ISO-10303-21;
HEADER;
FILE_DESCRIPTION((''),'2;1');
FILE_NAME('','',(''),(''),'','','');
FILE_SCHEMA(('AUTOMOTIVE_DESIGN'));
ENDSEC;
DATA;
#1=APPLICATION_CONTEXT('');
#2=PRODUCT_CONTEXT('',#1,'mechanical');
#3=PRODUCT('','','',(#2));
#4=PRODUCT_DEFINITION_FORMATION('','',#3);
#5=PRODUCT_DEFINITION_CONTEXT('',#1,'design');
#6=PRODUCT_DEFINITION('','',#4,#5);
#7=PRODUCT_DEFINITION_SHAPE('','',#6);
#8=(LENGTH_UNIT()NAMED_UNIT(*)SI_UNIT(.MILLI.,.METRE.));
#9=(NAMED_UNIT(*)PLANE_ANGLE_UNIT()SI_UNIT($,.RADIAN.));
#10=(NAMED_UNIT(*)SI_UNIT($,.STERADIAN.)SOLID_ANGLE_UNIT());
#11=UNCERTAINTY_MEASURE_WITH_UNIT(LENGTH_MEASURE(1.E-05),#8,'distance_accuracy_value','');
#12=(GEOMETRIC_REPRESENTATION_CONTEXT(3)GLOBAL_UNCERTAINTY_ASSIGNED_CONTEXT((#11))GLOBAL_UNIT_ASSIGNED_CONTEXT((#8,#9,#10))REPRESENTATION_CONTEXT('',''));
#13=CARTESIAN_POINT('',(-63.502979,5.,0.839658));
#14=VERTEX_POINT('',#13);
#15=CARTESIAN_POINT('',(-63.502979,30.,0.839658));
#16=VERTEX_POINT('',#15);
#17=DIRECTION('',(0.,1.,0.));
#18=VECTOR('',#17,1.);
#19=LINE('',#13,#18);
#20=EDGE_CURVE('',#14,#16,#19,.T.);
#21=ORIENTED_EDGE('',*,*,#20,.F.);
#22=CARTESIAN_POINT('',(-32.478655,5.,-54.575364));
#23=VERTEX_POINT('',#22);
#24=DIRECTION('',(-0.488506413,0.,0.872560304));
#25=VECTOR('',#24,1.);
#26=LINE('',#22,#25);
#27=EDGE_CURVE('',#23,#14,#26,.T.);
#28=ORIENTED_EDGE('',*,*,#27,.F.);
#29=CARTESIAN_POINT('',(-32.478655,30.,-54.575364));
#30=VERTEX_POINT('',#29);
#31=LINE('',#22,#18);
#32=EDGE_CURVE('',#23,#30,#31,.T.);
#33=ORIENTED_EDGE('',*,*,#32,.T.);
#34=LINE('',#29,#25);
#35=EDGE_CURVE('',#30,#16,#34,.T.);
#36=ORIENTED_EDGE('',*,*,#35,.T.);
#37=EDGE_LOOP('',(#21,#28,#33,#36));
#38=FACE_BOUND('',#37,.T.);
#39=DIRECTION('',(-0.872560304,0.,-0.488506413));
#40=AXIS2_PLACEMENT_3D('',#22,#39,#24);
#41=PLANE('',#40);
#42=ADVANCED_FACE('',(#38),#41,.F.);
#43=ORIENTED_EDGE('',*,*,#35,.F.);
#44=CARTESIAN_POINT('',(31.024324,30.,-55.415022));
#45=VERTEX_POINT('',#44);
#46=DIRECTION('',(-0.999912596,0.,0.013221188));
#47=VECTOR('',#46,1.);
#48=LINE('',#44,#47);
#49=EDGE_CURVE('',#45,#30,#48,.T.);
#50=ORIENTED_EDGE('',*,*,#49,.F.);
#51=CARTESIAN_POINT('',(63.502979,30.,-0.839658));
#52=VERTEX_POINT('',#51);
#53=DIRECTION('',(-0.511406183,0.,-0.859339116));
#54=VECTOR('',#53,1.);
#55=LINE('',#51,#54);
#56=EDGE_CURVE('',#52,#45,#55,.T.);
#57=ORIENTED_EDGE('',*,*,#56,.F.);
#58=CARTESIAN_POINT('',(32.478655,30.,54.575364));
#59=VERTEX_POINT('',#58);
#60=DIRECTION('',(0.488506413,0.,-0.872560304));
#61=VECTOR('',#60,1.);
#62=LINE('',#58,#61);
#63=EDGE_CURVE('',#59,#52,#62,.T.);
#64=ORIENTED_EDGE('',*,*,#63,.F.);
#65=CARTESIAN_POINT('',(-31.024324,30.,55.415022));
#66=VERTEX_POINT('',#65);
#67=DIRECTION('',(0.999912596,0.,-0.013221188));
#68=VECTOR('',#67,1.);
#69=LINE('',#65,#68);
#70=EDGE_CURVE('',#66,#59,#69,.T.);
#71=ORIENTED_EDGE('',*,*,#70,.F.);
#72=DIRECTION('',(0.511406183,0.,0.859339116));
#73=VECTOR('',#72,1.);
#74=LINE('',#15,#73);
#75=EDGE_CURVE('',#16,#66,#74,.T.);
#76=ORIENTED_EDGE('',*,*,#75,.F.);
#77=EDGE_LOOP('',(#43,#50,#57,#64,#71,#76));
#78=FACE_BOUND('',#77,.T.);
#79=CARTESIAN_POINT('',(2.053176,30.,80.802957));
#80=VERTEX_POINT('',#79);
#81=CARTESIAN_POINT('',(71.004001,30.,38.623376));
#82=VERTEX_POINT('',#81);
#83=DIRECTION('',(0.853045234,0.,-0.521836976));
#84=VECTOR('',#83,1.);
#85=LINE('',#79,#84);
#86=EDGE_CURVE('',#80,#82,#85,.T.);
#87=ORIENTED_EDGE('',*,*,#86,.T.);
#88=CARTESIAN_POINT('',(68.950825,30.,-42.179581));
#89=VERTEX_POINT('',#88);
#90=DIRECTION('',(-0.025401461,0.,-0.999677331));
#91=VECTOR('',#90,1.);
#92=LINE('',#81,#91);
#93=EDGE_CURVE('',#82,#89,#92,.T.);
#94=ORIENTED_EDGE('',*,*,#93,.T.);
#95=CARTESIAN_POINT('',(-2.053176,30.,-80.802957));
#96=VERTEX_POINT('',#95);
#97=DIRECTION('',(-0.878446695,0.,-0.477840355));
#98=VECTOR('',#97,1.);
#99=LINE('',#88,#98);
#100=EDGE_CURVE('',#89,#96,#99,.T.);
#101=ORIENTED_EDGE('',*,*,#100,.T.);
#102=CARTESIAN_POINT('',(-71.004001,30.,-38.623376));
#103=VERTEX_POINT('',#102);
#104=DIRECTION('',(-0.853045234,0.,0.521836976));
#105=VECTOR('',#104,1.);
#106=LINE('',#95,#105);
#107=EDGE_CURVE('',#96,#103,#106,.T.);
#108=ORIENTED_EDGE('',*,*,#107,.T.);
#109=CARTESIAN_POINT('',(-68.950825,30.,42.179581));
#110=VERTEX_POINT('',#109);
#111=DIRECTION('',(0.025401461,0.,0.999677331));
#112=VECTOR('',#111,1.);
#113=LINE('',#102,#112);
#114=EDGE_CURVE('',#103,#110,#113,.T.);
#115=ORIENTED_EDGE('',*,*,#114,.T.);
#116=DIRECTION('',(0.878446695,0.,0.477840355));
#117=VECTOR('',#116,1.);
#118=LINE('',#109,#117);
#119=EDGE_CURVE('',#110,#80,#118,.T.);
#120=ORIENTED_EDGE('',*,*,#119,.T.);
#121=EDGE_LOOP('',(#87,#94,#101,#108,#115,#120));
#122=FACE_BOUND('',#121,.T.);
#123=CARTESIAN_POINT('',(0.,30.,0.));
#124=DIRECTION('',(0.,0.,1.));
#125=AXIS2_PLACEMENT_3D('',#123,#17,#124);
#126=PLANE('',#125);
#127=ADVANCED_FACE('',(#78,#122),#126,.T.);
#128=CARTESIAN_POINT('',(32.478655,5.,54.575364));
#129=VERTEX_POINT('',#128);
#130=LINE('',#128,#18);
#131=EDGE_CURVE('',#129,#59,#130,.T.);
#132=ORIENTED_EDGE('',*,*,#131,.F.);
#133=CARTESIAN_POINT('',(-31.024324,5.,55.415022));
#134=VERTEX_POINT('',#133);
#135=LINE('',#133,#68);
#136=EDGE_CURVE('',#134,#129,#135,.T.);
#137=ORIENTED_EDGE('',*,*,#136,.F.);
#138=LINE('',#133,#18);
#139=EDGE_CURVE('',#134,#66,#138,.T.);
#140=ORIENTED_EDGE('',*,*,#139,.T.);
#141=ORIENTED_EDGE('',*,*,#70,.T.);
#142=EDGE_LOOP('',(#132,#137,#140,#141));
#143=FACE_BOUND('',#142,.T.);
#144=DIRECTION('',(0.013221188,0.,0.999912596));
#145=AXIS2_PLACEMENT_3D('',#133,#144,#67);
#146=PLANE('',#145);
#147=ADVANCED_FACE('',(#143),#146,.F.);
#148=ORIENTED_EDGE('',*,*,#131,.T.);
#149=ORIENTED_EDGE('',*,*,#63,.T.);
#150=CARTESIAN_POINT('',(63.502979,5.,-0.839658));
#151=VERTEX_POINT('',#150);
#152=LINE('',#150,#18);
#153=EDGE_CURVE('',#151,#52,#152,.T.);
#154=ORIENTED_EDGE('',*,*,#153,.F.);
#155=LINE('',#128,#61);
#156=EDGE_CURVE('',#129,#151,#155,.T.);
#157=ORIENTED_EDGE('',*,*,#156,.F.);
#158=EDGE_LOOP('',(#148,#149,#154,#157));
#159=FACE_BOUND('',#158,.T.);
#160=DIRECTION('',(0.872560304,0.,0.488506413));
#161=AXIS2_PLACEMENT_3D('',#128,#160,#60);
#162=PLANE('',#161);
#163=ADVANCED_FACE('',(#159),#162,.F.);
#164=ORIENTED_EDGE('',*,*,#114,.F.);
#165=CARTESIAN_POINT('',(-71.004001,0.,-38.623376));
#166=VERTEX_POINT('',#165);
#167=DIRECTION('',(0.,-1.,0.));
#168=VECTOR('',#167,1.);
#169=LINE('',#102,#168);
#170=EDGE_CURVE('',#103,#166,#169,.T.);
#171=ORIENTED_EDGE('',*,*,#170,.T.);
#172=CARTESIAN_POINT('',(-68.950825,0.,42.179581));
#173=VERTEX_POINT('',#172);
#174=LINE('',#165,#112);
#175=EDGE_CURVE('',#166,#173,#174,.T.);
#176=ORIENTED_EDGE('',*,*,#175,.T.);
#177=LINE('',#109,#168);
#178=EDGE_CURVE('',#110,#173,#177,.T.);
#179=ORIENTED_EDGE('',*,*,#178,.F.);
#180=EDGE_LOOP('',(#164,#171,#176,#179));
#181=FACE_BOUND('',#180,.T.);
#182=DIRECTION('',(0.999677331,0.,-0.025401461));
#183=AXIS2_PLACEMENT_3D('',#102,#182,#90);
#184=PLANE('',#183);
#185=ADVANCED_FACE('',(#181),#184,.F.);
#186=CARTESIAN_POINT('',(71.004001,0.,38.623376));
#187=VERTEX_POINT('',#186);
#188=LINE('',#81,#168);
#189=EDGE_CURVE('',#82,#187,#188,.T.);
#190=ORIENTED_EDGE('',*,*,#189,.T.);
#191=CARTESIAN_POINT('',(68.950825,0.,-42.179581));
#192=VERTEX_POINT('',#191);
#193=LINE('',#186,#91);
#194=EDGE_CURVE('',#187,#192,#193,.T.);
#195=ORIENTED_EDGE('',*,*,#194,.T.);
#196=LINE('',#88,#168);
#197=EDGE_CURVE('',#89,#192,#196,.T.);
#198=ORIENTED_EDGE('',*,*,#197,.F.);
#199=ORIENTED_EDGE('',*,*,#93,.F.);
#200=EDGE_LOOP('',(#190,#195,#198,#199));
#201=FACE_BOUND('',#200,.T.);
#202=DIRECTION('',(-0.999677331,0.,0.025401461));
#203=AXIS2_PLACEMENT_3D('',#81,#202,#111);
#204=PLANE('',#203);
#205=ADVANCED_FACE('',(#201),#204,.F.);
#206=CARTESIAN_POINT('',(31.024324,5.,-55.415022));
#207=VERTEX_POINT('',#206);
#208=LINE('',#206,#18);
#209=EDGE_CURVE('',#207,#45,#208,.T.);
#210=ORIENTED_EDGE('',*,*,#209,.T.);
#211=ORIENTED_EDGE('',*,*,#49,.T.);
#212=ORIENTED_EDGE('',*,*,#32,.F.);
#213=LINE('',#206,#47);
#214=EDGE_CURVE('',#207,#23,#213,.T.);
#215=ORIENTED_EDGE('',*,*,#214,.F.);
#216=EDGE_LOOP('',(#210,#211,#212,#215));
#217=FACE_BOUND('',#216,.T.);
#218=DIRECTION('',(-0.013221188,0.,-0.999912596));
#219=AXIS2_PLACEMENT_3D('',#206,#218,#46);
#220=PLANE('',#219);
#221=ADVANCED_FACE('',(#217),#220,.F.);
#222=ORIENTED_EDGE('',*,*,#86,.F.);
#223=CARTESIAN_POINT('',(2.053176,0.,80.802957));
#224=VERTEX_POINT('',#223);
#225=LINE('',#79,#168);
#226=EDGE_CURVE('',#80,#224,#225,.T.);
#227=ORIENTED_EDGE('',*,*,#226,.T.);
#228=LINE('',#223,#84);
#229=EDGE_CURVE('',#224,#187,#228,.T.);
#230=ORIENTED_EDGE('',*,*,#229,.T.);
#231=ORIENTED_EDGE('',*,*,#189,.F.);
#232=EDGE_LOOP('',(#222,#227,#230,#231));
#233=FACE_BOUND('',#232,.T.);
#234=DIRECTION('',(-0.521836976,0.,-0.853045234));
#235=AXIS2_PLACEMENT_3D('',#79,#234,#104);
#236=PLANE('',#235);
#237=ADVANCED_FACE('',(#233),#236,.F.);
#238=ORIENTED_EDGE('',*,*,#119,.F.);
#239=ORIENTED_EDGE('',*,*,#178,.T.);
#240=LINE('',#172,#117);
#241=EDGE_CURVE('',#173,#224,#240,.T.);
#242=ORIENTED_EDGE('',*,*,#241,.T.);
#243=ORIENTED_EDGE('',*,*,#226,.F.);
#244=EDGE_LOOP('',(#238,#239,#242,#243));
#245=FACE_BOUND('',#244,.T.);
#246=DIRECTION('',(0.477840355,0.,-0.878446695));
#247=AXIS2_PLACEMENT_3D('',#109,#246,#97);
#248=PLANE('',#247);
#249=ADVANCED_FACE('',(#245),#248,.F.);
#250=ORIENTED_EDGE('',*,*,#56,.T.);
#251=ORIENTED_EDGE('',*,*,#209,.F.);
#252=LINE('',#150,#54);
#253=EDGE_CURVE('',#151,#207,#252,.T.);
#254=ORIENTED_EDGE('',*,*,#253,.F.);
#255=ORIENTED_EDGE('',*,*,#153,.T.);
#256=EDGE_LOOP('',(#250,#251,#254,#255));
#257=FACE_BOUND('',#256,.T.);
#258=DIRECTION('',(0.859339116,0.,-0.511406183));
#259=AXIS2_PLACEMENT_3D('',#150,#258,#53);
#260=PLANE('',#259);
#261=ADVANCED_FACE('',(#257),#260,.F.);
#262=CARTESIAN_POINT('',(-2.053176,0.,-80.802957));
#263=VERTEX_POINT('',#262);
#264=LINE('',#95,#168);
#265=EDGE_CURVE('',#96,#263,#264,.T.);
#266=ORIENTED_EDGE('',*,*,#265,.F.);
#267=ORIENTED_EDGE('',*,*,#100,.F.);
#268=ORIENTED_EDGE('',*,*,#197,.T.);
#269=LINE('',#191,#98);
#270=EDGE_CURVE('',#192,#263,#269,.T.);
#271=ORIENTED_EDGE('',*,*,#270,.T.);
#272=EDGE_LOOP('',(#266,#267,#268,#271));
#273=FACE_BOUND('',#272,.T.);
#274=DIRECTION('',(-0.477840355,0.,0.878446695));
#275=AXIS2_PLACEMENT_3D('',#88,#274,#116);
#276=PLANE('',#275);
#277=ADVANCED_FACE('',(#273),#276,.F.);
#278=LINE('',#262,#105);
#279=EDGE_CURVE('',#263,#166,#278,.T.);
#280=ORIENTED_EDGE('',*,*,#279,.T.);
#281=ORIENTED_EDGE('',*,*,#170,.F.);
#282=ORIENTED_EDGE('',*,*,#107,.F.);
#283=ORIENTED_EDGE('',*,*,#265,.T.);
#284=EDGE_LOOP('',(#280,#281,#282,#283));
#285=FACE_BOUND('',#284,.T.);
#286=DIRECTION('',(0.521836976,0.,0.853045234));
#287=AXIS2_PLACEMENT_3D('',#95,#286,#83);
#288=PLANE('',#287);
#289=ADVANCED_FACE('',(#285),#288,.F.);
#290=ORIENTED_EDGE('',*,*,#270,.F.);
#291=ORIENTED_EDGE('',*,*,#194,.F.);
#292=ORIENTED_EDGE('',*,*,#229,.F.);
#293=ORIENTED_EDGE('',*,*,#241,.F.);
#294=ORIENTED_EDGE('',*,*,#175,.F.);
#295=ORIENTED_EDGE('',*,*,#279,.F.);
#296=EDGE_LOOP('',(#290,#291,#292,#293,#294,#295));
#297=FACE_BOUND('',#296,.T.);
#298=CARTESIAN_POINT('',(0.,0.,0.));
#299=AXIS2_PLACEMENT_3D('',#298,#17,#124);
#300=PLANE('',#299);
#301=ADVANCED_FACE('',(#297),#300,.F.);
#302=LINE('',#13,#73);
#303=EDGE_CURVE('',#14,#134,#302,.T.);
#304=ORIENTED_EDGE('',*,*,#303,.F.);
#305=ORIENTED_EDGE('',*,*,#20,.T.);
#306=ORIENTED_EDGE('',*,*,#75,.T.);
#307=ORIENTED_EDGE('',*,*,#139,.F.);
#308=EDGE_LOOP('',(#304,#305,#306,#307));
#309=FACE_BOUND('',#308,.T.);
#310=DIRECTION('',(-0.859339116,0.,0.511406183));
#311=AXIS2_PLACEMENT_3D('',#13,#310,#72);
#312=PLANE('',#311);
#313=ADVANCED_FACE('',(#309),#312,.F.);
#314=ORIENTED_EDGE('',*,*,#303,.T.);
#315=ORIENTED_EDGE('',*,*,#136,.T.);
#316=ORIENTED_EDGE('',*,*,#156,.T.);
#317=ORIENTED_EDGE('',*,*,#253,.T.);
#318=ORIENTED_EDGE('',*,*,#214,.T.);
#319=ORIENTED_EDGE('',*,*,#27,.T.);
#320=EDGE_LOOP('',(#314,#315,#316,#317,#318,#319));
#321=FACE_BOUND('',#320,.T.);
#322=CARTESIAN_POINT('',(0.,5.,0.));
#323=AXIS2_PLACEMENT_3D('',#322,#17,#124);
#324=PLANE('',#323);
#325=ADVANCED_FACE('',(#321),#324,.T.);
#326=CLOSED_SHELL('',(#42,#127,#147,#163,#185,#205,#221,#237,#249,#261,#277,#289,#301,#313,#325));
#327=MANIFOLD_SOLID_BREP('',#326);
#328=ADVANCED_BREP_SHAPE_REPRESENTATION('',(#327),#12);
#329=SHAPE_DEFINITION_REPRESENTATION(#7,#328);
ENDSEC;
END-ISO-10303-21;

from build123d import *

# Parameters (mm, degrees)
BOSS_EXTRUDE1_DEPTH = 30
CUT_EXTRUDE1_DEPTH  = 25


with BuildPart() as part:
    # Sketch2 → Boss-Extrude1 (new body)
    with BuildSketch(Plane(origin=(0, 0, 0), x_dir=(1, 0, 0), z_dir=(0, 1, 0))):
        Polygon((-71.004000985, 38.623376049), (-68.950825331, -42.179580599), (2.053175654, -80.802956648), (71.004000985, -38.623376049), (68.950825331, 42.179580599), (-2.053175654, 80.802956648), align=None)
    extrude(amount=BOSS_EXTRUDE1_DEPTH)

    # Sketch3 → Cut-Extrude1 (cut)
    with BuildSketch(Plane(origin=(0, 30, 0), x_dir=(1, 0, 0), z_dir=(0, 1, 0))):
        Polygon((-32.478654732, 54.575363674), (-63.502978728, -0.839658241), (-31.024323997, -55.415021915), (32.478654732, -54.575363674), (63.502978728, 0.839658241), (31.024323997, 55.415021915), align=None)
    extrude(amount=-CUT_EXTRUDE1_DEPTH, mode=Mode.SUBTRACT)


solid = part.part
